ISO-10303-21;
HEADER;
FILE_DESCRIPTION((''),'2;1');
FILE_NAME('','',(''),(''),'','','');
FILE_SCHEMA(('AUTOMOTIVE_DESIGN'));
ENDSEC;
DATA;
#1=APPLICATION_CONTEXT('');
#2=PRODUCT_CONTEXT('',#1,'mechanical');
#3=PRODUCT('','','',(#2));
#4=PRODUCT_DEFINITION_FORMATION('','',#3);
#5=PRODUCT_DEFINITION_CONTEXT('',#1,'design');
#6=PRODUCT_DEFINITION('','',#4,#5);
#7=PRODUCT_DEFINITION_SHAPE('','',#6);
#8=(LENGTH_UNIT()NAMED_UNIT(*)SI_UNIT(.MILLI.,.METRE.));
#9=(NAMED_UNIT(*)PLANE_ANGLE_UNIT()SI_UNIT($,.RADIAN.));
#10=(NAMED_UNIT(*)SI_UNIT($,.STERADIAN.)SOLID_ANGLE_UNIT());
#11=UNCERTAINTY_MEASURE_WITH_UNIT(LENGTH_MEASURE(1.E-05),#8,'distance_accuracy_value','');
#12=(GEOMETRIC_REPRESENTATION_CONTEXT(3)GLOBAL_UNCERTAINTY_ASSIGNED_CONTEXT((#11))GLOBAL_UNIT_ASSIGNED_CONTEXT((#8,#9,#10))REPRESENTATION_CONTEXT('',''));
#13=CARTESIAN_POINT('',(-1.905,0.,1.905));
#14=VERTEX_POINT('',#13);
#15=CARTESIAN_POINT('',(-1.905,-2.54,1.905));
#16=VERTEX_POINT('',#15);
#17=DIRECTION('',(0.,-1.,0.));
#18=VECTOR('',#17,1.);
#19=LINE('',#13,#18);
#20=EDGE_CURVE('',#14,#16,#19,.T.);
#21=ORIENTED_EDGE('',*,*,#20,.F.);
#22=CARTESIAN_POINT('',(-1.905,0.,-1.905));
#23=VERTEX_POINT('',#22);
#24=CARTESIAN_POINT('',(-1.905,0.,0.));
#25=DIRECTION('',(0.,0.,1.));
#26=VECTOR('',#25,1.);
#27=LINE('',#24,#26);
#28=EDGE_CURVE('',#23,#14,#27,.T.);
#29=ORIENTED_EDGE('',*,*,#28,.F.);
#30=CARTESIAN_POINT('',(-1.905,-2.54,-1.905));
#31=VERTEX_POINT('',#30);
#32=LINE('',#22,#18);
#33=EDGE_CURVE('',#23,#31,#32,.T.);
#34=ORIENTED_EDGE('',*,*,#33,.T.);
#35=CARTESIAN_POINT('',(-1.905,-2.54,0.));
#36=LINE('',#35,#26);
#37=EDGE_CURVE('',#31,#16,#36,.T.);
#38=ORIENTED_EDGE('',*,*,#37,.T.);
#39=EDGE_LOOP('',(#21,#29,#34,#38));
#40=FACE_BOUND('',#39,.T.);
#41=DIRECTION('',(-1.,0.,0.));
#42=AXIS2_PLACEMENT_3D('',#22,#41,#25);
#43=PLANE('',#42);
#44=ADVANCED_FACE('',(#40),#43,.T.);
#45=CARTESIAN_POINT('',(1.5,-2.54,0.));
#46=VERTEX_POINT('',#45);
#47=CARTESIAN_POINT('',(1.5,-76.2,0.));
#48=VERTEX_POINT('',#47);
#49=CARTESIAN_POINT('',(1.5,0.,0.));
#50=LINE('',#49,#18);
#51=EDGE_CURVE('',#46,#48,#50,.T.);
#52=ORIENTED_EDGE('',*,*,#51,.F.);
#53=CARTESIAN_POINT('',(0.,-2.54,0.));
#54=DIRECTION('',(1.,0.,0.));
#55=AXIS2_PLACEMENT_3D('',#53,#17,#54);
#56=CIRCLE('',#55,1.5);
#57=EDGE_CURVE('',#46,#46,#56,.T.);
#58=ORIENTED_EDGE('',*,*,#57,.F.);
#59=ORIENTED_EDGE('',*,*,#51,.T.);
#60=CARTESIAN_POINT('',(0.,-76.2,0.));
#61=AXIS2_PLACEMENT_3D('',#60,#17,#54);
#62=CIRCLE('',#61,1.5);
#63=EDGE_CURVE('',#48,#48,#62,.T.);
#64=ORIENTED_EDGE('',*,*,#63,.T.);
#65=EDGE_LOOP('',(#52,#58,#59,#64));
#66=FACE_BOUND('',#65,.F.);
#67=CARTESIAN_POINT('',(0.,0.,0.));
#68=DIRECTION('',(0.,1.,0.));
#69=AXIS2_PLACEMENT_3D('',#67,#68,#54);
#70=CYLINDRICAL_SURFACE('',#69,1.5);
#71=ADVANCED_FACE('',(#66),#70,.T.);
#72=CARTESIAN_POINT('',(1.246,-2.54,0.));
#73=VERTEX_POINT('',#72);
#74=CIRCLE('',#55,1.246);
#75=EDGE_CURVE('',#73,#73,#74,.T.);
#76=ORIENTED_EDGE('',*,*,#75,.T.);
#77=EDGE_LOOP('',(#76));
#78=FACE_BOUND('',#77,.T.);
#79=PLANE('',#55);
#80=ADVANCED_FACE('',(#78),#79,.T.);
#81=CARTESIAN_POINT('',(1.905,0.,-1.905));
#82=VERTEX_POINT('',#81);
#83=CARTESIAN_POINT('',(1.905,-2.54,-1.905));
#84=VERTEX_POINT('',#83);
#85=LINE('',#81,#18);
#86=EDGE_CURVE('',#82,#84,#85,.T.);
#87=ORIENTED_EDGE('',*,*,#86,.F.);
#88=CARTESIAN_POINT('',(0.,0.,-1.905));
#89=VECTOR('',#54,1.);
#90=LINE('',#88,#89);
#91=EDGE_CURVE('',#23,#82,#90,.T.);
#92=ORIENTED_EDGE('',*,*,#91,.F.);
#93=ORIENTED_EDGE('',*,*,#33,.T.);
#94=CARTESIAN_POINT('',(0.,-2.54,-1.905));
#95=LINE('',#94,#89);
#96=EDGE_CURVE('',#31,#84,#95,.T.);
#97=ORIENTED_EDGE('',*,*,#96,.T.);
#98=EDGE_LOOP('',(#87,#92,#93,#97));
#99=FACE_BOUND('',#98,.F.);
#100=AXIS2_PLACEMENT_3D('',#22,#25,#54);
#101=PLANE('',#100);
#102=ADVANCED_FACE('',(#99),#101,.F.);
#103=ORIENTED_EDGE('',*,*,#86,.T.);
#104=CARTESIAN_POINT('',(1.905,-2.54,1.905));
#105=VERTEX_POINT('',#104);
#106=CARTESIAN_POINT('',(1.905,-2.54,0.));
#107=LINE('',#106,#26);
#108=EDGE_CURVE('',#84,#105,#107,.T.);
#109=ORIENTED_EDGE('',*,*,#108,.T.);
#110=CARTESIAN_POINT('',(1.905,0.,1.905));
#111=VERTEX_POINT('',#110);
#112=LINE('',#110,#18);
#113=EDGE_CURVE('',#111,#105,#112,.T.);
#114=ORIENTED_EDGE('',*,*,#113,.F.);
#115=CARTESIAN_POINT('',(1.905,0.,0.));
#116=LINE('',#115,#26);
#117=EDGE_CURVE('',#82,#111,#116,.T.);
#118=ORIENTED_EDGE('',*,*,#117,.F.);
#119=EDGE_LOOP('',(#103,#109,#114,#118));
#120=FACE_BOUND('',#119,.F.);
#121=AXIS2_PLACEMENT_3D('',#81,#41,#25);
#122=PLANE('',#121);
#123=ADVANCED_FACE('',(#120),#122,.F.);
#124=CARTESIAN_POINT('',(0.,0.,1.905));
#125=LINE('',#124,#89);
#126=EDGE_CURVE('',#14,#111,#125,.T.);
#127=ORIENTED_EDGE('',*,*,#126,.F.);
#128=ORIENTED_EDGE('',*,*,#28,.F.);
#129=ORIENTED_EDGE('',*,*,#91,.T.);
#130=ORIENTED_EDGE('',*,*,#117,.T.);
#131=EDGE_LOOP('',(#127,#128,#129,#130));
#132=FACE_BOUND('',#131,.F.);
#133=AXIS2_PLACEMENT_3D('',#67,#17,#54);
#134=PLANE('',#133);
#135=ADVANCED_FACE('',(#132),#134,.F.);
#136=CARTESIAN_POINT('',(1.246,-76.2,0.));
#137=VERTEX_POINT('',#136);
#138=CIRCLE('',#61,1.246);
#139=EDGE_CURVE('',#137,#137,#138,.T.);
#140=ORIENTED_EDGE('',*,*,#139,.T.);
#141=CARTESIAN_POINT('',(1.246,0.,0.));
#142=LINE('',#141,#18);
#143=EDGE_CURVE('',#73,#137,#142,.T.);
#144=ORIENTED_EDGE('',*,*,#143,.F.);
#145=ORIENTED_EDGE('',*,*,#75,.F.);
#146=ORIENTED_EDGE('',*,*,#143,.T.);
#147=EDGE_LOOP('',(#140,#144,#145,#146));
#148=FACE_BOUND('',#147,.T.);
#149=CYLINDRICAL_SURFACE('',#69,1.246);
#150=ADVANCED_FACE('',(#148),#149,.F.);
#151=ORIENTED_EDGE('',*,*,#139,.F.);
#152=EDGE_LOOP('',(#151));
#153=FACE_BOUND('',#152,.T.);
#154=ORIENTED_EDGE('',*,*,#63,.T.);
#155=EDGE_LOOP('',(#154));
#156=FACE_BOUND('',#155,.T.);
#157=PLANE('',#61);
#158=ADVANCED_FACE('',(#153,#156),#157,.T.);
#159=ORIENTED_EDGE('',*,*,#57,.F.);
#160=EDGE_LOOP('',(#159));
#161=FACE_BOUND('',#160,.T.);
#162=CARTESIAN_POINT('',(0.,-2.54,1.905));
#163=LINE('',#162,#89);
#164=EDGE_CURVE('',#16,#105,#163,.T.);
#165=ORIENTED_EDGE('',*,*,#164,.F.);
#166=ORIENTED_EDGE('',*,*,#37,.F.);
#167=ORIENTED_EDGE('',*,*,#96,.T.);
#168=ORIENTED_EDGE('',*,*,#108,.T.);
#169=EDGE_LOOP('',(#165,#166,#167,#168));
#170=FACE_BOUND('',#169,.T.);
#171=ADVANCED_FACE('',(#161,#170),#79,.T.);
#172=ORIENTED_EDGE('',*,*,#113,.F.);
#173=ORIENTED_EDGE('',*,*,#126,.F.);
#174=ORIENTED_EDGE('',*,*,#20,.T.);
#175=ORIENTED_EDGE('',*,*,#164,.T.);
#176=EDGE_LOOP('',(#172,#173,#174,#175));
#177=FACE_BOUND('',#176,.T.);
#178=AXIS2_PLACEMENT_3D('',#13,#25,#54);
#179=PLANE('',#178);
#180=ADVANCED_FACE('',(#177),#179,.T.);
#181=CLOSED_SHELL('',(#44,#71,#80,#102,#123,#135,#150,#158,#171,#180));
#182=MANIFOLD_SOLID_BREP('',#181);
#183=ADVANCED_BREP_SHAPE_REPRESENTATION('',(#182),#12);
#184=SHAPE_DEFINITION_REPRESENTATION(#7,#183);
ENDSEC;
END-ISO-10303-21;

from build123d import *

# Parameters (mm, degrees)
F0_R     = 1.5
F0_R_2   = 1.246
F1_DEPTH = 76.2
F0_W     = 3.81
F0_H     = 3.81
F2_DEPTH = 2.54


with BuildPart() as f1:
    # F0 (on Front) → F1 (new body)
    with BuildSketch(Plane.XZ):
        Circle(F0_R)
        Circle(F0_R_2, mode=Mode.SUBTRACT)
    extrude(amount=F1_DEPTH)

    # F0 (on Front) → F2 (join)
    with BuildSketch(Plane.XZ):
        Rectangle(F0_W, F0_H)
        Circle(F0_R, mode=Mode.SUBTRACT)
        Circle(F0_R_2)
    extrude(amount=F2_DEPTH)


solid = f1.part
